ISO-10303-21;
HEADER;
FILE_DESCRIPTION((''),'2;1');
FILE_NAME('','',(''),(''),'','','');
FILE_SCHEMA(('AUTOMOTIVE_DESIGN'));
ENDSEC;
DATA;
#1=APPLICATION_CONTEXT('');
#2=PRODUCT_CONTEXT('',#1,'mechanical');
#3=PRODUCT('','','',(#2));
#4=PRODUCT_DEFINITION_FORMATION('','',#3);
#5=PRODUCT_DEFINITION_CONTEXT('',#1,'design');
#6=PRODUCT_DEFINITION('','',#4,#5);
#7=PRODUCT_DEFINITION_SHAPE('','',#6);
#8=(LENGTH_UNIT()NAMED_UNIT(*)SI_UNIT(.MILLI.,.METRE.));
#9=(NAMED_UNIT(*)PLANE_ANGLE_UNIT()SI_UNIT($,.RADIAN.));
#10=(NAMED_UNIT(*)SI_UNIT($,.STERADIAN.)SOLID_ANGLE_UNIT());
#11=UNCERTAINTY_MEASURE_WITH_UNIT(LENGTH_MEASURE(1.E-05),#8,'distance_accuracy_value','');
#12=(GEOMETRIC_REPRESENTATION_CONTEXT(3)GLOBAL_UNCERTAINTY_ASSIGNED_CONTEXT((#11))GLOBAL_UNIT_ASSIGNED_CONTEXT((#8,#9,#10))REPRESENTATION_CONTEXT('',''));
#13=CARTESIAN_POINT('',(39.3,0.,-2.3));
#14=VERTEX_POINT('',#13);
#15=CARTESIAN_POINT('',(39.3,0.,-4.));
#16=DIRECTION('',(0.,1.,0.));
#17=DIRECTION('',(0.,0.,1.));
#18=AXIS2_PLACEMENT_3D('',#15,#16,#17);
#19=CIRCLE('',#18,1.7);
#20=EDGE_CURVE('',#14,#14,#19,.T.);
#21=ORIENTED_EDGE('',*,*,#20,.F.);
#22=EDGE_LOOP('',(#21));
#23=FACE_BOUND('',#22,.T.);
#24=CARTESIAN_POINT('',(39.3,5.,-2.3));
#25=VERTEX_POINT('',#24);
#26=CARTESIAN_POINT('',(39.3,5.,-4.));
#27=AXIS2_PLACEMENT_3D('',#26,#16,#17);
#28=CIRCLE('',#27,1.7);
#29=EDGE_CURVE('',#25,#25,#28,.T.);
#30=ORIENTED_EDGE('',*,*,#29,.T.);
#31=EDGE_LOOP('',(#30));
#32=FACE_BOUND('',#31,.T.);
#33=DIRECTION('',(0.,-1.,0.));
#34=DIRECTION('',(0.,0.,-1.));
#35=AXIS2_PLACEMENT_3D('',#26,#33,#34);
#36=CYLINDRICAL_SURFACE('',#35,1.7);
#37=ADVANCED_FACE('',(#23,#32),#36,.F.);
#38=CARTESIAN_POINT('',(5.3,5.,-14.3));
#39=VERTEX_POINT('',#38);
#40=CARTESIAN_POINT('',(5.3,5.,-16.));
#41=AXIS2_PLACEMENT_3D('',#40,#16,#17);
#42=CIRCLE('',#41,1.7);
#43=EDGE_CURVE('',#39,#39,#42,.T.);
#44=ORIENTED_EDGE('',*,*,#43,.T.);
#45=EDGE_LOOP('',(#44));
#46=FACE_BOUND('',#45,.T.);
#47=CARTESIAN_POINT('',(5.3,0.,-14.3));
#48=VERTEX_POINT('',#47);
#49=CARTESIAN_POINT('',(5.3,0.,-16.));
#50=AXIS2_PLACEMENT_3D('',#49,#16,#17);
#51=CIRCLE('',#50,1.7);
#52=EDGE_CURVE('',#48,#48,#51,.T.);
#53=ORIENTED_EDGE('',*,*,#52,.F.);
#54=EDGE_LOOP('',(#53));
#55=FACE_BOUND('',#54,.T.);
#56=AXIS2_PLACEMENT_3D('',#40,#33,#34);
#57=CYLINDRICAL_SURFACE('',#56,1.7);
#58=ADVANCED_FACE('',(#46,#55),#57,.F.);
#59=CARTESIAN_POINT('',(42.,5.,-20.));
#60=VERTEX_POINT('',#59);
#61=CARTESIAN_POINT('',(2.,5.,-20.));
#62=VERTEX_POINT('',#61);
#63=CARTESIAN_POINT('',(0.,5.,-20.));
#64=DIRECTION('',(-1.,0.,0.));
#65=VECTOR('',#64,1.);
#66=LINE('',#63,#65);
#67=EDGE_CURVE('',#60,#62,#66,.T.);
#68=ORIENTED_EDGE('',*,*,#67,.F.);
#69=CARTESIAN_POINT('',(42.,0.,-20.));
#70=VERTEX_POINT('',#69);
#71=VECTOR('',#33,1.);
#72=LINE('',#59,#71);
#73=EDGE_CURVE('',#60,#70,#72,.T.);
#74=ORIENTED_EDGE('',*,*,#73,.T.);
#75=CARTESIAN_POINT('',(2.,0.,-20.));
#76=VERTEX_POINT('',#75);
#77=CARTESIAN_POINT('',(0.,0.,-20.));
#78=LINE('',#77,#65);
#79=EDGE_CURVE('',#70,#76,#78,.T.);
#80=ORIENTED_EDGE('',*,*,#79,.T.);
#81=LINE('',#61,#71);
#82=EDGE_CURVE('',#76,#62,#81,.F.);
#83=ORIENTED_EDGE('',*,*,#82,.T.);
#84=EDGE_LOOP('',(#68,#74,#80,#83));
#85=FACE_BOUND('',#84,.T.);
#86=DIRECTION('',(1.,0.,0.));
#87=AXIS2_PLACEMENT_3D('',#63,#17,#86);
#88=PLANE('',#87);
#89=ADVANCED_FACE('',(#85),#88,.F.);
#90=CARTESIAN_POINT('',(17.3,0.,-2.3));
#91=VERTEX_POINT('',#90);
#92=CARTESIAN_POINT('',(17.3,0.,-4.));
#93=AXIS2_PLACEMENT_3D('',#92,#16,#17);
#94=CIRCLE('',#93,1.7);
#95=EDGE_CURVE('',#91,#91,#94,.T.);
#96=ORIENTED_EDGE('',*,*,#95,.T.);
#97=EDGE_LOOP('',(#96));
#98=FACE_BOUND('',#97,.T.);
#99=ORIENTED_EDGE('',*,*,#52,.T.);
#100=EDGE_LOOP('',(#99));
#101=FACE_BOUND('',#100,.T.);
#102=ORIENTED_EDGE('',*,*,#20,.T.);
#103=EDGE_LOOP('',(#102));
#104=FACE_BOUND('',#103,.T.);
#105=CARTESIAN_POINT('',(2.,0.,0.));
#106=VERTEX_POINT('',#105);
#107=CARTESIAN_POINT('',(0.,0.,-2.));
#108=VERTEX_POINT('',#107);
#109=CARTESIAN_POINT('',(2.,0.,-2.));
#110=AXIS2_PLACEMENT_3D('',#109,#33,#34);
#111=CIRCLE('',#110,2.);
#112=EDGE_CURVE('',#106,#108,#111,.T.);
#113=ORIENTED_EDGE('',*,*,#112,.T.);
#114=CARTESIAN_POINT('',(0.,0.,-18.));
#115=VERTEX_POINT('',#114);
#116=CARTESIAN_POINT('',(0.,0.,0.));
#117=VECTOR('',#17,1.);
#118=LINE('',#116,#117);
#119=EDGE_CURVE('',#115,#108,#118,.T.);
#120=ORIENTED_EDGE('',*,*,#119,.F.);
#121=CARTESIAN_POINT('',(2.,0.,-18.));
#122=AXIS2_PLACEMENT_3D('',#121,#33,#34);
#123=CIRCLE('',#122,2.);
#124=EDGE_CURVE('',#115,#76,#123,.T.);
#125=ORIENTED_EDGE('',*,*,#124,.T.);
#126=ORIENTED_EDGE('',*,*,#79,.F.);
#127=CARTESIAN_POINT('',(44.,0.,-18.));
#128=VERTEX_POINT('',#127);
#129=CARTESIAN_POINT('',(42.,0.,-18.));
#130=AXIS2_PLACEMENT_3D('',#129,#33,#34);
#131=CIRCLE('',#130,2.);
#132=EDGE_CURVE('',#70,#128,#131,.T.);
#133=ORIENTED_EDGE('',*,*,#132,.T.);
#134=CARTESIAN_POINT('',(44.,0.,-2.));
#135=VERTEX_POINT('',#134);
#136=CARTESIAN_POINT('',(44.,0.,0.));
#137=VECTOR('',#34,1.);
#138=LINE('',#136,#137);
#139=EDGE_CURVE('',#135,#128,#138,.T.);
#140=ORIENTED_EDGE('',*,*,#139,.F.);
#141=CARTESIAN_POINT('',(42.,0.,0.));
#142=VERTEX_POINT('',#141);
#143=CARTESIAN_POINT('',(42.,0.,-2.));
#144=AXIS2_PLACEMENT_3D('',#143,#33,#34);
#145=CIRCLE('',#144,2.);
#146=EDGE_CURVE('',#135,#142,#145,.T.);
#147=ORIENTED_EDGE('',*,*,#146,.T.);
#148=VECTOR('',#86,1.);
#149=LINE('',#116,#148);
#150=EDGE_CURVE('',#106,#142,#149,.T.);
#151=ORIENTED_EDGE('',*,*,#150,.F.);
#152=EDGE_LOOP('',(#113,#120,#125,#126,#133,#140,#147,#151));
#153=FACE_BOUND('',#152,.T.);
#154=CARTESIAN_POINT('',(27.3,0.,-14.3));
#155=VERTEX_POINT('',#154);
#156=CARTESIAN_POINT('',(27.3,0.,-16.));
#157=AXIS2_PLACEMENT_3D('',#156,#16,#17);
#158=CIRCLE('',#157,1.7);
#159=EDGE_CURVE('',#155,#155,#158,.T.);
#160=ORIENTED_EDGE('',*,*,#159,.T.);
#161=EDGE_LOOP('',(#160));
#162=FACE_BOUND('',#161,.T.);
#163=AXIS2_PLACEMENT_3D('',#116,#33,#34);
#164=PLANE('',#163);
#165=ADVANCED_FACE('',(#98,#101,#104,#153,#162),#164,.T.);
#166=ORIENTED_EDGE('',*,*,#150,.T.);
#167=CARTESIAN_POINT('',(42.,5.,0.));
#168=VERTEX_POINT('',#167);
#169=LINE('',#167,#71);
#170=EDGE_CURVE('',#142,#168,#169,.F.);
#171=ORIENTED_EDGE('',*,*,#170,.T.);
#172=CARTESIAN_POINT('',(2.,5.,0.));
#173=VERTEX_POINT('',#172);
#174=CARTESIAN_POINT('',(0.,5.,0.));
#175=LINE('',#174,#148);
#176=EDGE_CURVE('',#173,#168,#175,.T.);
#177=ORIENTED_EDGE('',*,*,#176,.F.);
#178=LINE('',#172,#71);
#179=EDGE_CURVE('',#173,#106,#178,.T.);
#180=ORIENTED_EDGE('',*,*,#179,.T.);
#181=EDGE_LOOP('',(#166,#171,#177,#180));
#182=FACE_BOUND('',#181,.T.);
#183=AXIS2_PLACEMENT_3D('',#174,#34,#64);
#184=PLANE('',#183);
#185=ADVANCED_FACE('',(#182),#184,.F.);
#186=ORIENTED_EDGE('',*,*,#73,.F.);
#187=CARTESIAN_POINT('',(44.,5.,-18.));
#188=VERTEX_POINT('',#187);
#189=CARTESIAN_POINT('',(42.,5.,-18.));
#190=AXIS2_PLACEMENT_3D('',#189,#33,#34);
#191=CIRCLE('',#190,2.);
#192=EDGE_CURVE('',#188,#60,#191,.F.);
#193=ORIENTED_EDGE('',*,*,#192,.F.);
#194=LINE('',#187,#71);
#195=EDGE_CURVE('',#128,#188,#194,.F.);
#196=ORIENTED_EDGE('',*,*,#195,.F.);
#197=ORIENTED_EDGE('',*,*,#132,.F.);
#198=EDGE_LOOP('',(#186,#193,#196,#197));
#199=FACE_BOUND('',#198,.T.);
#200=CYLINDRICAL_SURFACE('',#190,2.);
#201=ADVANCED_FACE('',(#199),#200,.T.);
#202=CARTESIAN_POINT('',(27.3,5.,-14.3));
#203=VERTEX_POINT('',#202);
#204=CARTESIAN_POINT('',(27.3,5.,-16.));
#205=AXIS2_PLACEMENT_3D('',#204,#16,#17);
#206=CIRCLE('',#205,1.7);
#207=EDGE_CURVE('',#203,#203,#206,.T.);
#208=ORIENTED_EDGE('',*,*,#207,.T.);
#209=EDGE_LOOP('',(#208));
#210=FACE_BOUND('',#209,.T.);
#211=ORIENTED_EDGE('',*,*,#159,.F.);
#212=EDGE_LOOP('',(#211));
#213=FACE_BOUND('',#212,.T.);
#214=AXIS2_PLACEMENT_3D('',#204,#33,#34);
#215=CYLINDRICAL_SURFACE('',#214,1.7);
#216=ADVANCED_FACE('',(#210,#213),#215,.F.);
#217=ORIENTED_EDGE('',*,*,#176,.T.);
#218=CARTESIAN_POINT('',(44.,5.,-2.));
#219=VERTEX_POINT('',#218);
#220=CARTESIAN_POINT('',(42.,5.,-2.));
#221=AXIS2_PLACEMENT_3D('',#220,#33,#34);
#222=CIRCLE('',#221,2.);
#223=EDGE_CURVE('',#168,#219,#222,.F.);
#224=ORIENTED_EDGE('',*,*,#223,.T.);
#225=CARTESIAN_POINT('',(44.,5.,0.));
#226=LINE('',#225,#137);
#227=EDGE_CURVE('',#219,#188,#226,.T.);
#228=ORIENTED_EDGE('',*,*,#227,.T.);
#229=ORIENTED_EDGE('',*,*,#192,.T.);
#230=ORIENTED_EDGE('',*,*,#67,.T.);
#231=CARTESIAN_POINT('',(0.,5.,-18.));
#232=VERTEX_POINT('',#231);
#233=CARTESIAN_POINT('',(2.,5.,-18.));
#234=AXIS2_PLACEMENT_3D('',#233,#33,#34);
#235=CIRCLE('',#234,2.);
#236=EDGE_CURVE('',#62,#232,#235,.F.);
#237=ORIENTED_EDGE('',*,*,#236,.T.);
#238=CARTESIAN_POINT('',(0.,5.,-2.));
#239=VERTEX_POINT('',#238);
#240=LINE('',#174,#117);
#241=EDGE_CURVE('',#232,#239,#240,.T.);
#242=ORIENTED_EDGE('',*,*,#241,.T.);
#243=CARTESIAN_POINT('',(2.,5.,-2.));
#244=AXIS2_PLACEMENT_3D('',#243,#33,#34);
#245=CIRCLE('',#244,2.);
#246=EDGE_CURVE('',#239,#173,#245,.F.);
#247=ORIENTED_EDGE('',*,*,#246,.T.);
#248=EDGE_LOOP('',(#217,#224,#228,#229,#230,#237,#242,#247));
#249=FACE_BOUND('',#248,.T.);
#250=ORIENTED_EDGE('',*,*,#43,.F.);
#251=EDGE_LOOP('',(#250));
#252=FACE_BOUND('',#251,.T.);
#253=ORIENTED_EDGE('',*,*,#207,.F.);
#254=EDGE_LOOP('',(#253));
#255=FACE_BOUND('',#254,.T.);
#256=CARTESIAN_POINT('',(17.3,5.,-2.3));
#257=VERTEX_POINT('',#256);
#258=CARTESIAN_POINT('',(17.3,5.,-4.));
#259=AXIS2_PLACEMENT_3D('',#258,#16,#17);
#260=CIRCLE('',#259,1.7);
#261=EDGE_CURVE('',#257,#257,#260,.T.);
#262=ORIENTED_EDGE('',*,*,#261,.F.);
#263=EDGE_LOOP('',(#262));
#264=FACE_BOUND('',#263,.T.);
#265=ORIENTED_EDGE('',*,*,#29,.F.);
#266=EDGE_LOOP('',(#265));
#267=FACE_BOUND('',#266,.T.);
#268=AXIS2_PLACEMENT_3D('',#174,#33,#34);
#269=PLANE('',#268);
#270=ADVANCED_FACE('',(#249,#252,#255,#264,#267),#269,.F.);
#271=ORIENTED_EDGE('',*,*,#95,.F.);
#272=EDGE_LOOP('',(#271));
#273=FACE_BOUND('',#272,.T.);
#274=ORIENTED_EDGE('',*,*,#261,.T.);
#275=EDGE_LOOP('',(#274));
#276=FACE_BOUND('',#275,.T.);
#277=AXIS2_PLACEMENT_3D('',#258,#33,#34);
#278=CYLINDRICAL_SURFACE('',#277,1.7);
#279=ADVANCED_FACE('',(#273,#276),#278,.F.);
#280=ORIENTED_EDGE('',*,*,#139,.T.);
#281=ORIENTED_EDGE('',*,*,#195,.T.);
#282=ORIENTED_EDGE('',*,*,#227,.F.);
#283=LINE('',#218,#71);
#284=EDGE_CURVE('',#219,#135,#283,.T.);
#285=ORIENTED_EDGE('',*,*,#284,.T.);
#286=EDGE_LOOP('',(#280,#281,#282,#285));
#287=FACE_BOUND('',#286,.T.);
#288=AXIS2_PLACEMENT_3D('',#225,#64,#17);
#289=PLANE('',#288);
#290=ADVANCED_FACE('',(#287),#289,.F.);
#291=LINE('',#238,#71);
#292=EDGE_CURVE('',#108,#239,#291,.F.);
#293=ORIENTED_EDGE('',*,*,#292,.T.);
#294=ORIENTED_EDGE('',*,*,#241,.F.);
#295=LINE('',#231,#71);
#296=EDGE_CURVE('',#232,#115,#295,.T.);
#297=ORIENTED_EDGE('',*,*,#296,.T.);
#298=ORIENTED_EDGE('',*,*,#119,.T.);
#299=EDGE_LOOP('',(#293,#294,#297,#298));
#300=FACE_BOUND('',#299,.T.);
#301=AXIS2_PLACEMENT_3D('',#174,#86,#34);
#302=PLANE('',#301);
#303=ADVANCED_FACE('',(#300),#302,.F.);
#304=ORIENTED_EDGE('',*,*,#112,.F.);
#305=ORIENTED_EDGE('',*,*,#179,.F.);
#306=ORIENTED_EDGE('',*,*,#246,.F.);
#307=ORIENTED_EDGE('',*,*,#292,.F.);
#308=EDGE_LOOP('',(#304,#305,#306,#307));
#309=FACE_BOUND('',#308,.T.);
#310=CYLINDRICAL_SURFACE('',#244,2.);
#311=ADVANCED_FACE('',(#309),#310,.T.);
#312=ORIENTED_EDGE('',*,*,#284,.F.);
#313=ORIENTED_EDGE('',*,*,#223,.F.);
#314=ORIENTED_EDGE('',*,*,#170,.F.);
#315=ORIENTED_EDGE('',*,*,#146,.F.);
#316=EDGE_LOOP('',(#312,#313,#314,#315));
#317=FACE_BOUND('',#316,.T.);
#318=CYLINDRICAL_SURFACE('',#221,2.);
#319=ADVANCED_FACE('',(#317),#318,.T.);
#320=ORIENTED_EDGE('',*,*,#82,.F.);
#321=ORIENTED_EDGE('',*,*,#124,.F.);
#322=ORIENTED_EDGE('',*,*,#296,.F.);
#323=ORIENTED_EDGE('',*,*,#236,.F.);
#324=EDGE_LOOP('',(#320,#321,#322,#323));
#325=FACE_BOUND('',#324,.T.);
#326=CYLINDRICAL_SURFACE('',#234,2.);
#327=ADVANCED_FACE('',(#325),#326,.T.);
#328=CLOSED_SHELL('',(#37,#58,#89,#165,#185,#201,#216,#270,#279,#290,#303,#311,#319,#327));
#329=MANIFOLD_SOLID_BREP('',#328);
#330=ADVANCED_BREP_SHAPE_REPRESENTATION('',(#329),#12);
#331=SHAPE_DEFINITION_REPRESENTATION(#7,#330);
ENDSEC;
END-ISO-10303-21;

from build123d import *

# Parameters (mm, degrees)
SKETCH_1_W      = 44
SKETCH_1_H      = 20
SKETCH_1_R      = 1.7
EXTRUDE_1_DEPTH = 5
FILLET_1_R      = 2


with BuildPart() as part:
    # 草图1 → 凸台-拉伸1 (new body)
    with BuildSketch(Plane(origin=(0, 0, 0), x_dir=(1, 0, 0), z_dir=(0, 1, 0))):
        with Locations((22, 10)):
            Rectangle(SKETCH_1_W, SKETCH_1_H)
        with Locations(Location((5.3, 16, 0), (0, 0, 270))):
            Circle(SKETCH_1_R, mode=Mode.SUBTRACT)
        with Locations(Location((17.3, 4, 0), (0, 0, 270))):
            Circle(SKETCH_1_R, mode=Mode.SUBTRACT)
        with Locations(Location((27.3, 16, 0), (0, 0, 270))):
            Circle(SKETCH_1_R, mode=Mode.SUBTRACT)
        with Locations(Location((39.3, 4, 0), (0, 0, 270))):
            Circle(SKETCH_1_R, mode=Mode.SUBTRACT)
    extrude(amount=EXTRUDE_1_DEPTH)

    # 圆角1
    fillet_1_edges = [part.edges().sort_by_distance(p)[0] for p in [
        (0, 2.5, -20),
        (44, 2.5, -20),
        (44, 2.5, 0),
        (0, 2.5, 0),
    ]]
    fillet(fillet_1_edges, radius=FILLET_1_R)


solid = part.part
